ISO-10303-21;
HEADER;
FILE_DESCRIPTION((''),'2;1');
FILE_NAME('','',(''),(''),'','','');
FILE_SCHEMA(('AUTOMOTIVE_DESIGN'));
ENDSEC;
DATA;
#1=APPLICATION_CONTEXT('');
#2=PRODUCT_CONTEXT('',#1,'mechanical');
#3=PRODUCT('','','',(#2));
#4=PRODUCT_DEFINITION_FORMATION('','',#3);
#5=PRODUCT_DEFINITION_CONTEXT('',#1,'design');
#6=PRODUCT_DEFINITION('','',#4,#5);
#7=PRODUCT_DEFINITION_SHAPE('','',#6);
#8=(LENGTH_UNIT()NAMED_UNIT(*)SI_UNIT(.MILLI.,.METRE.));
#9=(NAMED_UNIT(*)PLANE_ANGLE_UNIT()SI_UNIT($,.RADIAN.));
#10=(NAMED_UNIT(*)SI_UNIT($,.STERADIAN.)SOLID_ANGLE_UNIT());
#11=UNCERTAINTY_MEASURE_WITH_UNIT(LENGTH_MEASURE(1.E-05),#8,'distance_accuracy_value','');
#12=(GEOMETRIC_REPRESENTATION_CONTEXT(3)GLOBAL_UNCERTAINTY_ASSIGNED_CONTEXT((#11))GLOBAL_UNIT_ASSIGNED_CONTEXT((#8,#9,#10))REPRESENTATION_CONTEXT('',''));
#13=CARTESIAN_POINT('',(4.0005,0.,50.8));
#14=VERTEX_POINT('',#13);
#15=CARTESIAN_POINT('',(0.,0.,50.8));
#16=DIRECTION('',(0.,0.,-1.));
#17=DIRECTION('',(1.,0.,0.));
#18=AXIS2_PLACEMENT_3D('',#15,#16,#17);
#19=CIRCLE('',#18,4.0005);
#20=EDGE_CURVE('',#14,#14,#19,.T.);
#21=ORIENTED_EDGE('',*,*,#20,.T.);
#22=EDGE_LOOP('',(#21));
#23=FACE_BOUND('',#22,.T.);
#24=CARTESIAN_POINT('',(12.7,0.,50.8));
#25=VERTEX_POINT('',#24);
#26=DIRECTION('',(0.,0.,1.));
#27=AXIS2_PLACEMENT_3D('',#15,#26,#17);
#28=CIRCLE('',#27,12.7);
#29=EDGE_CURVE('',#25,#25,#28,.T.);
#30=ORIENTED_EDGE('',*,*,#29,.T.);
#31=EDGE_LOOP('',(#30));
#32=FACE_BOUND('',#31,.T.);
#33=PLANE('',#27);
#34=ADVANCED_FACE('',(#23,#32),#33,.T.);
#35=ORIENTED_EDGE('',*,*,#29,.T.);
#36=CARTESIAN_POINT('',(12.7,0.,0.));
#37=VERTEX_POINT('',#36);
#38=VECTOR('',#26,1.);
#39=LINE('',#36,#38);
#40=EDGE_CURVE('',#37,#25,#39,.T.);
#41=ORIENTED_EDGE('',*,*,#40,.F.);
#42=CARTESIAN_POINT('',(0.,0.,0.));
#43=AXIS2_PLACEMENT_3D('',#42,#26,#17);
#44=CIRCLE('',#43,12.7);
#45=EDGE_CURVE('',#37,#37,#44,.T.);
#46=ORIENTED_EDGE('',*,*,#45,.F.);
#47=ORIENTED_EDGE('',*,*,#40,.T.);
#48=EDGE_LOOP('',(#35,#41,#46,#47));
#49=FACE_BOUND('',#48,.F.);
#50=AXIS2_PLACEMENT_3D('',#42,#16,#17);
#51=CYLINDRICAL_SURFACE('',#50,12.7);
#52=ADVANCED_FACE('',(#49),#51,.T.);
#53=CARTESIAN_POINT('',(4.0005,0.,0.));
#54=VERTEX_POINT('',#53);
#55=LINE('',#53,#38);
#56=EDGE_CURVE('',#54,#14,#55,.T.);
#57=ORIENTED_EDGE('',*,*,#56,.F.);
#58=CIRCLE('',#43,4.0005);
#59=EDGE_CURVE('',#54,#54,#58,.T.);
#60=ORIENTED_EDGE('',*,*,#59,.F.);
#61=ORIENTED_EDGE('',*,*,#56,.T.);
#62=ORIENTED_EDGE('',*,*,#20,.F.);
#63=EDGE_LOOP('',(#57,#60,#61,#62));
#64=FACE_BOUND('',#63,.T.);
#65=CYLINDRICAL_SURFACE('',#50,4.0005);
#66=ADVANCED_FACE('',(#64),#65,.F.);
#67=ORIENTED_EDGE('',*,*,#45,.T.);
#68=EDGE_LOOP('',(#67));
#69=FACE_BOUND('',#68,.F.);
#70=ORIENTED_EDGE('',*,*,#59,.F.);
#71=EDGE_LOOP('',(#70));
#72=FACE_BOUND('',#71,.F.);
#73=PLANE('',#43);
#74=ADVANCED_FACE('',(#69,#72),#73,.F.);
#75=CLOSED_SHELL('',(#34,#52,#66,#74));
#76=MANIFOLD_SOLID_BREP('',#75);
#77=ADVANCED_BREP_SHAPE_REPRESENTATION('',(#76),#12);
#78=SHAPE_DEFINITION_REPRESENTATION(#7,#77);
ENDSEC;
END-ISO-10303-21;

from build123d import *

# Parameters (mm, degrees)
F0_R     = 12.7
F2_DEPTH = 50.8
F1_R     = 4.0005
F3_DEPTH = 50.801


with BuildPart() as f2:
    # F0 (on Top) → F2 (new body)
    with BuildSketch(Plane.XY):
        Circle(F0_R)
    extrude(amount=F2_DEPTH)

    # F1 (on face) → F3 (cut, through all)
    with BuildSketch(Plane.XY):
        Circle(F1_R)
    extrude(amount=F3_DEPTH, mode=Mode.SUBTRACT)


solid = f2.part
